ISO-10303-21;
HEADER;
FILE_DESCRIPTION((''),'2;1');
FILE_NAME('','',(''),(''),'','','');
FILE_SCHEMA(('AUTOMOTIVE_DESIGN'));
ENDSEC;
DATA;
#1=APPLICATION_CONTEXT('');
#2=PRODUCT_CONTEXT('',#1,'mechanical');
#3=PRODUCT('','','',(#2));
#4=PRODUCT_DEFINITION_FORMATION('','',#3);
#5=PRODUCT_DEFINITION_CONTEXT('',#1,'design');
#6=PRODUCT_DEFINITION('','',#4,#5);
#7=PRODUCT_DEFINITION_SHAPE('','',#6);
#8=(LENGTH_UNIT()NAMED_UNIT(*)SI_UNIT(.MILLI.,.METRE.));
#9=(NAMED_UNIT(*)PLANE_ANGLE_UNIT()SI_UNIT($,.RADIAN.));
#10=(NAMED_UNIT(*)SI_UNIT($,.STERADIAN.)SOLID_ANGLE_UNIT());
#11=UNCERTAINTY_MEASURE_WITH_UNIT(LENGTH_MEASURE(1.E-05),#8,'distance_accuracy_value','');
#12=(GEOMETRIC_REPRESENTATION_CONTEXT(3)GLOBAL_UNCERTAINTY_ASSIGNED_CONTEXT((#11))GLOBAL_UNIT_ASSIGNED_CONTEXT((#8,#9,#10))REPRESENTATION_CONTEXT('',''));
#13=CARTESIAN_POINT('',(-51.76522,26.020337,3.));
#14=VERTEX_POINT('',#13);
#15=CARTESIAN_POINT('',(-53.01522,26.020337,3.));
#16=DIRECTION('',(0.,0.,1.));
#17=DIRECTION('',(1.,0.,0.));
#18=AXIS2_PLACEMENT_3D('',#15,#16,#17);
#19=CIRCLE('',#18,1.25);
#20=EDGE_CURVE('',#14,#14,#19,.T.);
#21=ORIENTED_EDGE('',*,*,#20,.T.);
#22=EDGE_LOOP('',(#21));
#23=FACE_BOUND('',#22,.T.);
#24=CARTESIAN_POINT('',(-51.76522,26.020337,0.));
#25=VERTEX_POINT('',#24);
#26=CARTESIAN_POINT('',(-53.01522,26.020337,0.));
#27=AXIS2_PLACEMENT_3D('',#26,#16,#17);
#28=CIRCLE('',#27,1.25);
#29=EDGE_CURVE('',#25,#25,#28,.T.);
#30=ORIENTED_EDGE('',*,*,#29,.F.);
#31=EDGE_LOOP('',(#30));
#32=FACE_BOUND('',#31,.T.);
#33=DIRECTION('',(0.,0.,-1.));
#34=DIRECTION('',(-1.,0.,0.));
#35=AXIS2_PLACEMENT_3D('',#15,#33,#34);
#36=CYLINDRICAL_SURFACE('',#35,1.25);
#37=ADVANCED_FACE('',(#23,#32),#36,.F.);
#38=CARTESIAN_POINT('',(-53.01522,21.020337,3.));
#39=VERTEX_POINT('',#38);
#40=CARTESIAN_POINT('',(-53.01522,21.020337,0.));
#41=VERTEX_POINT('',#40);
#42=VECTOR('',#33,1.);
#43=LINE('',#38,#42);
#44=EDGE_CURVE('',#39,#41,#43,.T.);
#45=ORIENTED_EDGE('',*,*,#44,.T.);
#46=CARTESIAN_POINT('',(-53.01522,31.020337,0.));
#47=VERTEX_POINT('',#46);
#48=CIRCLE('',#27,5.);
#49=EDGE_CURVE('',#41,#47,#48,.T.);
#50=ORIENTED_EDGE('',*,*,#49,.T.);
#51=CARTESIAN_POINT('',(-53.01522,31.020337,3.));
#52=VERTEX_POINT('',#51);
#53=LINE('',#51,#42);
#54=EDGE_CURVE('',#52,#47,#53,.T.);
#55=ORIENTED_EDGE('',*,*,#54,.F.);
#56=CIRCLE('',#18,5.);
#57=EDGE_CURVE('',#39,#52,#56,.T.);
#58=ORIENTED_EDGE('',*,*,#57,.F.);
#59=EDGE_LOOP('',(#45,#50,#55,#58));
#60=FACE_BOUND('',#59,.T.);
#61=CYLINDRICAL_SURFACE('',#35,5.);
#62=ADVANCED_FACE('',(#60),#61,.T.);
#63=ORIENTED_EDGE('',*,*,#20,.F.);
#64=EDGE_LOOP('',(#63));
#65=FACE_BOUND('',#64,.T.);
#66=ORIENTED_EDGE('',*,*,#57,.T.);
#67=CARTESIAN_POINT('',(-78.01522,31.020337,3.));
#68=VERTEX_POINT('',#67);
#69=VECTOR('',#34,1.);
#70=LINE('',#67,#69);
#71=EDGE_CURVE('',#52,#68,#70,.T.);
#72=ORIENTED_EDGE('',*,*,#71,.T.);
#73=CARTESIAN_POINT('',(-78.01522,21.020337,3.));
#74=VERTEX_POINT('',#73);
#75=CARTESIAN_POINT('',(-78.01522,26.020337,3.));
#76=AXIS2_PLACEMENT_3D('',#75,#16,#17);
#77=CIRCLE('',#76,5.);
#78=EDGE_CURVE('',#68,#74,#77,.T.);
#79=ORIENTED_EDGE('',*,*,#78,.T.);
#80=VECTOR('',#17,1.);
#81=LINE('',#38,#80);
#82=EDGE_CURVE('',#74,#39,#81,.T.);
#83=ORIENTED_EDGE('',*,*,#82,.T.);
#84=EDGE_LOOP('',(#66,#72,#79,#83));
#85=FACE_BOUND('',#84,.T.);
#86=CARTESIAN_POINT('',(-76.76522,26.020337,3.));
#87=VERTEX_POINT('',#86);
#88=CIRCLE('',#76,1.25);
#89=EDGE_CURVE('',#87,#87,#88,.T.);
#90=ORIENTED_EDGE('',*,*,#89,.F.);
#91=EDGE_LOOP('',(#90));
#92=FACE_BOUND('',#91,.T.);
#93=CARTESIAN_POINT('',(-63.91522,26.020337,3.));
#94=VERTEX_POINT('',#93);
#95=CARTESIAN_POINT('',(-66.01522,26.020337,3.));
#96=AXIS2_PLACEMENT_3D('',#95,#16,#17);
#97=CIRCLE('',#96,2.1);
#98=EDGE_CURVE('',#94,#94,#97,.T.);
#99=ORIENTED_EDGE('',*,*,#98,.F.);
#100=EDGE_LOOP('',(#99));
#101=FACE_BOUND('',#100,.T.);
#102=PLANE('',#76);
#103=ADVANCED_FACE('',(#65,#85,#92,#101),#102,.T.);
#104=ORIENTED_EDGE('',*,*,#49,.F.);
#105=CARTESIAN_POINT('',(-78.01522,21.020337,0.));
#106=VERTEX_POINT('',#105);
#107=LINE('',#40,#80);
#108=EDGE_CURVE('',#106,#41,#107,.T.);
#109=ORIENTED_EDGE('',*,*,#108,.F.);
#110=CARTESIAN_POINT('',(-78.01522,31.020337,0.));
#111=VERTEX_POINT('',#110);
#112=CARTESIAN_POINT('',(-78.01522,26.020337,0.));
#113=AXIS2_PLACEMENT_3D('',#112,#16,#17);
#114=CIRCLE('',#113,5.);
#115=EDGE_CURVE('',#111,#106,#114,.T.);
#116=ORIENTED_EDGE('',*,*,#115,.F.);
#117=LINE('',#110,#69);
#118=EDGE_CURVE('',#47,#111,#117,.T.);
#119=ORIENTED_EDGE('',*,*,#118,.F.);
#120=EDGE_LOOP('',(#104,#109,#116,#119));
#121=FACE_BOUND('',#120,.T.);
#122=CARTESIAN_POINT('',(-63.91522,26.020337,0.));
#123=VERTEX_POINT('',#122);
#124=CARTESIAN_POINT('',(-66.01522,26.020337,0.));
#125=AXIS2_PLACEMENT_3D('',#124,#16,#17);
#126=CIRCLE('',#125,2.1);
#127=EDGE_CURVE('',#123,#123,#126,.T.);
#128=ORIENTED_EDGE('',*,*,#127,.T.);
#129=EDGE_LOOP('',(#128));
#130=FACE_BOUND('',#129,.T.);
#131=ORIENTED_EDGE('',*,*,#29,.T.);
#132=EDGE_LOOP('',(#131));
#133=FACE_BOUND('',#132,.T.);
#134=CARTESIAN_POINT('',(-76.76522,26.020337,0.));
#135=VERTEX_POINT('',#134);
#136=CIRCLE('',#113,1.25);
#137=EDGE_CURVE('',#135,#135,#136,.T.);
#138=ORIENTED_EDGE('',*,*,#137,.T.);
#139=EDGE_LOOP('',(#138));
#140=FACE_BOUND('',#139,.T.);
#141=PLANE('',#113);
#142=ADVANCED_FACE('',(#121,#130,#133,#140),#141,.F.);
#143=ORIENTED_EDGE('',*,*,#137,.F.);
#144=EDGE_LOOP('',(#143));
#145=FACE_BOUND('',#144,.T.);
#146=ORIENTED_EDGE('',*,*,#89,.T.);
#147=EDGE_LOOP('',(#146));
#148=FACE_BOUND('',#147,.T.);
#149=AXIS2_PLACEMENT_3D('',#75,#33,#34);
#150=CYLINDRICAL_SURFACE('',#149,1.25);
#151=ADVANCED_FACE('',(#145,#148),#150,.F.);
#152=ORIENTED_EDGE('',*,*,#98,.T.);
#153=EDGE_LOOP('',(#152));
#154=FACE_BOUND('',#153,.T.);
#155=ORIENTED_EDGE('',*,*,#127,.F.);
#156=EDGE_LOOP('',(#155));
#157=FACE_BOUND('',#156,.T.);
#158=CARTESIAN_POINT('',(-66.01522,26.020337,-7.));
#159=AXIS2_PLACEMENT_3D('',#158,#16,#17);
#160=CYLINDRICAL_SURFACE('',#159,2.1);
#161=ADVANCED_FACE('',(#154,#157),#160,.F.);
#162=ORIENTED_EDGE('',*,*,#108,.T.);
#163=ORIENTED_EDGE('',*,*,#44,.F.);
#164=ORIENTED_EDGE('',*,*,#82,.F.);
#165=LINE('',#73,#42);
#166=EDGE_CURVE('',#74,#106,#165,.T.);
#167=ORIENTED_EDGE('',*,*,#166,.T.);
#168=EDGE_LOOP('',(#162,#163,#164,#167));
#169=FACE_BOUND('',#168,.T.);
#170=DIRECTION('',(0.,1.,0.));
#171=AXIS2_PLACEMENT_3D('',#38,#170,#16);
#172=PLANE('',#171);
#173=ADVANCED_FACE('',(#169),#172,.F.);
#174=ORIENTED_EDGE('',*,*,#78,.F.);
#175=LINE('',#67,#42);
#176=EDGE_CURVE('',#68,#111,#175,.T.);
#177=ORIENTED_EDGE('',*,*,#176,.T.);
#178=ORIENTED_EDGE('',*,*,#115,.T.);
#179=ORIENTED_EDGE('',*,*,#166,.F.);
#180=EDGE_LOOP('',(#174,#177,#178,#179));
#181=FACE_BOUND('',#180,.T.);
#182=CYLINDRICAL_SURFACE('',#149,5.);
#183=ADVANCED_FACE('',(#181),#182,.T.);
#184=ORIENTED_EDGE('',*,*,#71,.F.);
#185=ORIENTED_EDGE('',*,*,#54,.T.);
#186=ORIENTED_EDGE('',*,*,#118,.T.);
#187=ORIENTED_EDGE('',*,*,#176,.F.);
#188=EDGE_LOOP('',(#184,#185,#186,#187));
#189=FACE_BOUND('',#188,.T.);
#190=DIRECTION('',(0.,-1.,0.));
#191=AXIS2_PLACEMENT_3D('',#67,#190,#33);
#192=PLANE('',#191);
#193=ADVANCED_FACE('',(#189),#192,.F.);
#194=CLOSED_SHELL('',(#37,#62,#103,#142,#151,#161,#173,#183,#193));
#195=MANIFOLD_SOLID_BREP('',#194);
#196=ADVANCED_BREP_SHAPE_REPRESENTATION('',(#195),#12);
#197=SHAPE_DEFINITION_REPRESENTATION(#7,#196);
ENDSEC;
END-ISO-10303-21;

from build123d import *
from build123d.topology import SkipClean

# Parameters (mm, degrees)
SKETCH1_R           = 1.5
SKETCH1_R_2         = 1.25
BOSS_EXTRUDE1_DEPTH = 3
SKETCH5_R           = 2.1
CUT_EXTRUDE2_DEPTH  = 10
BOSS_EXTRUDE2_DEPTH = 3


with BuildPart() as part:
    # Sketch1 → Boss-Extrude1 (new body)
    with BuildSketch(Plane.XY):
        with BuildLine():
            Line((-78.015219505, 31.020337279), (-53.015219505, 31.020337279))
            ThreePointArc((-53.015219505, 31.020337279), (-48.015219505, 26.020337279), (-53.015219505, 21.020337279))
            Line((-53.015219505, 21.020337279), (-78.015219505, 21.020337279))
            ThreePointArc((-78.015219505, 21.020337279), (-83.015219505, 26.020337279), (-78.015219505, 31.020337279))
        make_face()
        with Locations((-63.015219505, 26.020337279)):
            Circle(SKETCH1_R, mode=Mode.SUBTRACT)
        with Locations((-53.015219505, 26.020337279)):
            Circle(SKETCH1_R_2, mode=Mode.SUBTRACT)
        with Locations((-78.015219505, 26.020337279)):
            Circle(SKETCH1_R_2, mode=Mode.SUBTRACT)
    extrude(amount=BOSS_EXTRUDE1_DEPTH)

    # Sketch5 → Cut-Extrude2 (cut)
    with BuildSketch(Plane.XY.offset(3)):
        with Locations((-66.015219505, 26.020337279)):
            Circle(SKETCH5_R)
    extrude(amount=-CUT_EXTRUDE2_DEPTH, mode=Mode.SUBTRACT)

    # Sketch6 → Boss-Extrude2 (add)
    with SkipClean():  # the faces are left unmerged after this step: merging them gives an invalid solid
        with BuildSketch(Plane.XY.offset(3)):
            with BuildLine():
                ThreePointArc((-64.155219505, 25.045452671), (-61.515219505, 26.020337279), (-64.155219505, 26.995221888))
                ThreePointArc((-64.155219505, 26.995221888), (-63.915219505, 26.020337279), (-64.155219505, 25.045452671))
            make_face()
        extrude(amount=-BOSS_EXTRUDE2_DEPTH)


solid = part.part
